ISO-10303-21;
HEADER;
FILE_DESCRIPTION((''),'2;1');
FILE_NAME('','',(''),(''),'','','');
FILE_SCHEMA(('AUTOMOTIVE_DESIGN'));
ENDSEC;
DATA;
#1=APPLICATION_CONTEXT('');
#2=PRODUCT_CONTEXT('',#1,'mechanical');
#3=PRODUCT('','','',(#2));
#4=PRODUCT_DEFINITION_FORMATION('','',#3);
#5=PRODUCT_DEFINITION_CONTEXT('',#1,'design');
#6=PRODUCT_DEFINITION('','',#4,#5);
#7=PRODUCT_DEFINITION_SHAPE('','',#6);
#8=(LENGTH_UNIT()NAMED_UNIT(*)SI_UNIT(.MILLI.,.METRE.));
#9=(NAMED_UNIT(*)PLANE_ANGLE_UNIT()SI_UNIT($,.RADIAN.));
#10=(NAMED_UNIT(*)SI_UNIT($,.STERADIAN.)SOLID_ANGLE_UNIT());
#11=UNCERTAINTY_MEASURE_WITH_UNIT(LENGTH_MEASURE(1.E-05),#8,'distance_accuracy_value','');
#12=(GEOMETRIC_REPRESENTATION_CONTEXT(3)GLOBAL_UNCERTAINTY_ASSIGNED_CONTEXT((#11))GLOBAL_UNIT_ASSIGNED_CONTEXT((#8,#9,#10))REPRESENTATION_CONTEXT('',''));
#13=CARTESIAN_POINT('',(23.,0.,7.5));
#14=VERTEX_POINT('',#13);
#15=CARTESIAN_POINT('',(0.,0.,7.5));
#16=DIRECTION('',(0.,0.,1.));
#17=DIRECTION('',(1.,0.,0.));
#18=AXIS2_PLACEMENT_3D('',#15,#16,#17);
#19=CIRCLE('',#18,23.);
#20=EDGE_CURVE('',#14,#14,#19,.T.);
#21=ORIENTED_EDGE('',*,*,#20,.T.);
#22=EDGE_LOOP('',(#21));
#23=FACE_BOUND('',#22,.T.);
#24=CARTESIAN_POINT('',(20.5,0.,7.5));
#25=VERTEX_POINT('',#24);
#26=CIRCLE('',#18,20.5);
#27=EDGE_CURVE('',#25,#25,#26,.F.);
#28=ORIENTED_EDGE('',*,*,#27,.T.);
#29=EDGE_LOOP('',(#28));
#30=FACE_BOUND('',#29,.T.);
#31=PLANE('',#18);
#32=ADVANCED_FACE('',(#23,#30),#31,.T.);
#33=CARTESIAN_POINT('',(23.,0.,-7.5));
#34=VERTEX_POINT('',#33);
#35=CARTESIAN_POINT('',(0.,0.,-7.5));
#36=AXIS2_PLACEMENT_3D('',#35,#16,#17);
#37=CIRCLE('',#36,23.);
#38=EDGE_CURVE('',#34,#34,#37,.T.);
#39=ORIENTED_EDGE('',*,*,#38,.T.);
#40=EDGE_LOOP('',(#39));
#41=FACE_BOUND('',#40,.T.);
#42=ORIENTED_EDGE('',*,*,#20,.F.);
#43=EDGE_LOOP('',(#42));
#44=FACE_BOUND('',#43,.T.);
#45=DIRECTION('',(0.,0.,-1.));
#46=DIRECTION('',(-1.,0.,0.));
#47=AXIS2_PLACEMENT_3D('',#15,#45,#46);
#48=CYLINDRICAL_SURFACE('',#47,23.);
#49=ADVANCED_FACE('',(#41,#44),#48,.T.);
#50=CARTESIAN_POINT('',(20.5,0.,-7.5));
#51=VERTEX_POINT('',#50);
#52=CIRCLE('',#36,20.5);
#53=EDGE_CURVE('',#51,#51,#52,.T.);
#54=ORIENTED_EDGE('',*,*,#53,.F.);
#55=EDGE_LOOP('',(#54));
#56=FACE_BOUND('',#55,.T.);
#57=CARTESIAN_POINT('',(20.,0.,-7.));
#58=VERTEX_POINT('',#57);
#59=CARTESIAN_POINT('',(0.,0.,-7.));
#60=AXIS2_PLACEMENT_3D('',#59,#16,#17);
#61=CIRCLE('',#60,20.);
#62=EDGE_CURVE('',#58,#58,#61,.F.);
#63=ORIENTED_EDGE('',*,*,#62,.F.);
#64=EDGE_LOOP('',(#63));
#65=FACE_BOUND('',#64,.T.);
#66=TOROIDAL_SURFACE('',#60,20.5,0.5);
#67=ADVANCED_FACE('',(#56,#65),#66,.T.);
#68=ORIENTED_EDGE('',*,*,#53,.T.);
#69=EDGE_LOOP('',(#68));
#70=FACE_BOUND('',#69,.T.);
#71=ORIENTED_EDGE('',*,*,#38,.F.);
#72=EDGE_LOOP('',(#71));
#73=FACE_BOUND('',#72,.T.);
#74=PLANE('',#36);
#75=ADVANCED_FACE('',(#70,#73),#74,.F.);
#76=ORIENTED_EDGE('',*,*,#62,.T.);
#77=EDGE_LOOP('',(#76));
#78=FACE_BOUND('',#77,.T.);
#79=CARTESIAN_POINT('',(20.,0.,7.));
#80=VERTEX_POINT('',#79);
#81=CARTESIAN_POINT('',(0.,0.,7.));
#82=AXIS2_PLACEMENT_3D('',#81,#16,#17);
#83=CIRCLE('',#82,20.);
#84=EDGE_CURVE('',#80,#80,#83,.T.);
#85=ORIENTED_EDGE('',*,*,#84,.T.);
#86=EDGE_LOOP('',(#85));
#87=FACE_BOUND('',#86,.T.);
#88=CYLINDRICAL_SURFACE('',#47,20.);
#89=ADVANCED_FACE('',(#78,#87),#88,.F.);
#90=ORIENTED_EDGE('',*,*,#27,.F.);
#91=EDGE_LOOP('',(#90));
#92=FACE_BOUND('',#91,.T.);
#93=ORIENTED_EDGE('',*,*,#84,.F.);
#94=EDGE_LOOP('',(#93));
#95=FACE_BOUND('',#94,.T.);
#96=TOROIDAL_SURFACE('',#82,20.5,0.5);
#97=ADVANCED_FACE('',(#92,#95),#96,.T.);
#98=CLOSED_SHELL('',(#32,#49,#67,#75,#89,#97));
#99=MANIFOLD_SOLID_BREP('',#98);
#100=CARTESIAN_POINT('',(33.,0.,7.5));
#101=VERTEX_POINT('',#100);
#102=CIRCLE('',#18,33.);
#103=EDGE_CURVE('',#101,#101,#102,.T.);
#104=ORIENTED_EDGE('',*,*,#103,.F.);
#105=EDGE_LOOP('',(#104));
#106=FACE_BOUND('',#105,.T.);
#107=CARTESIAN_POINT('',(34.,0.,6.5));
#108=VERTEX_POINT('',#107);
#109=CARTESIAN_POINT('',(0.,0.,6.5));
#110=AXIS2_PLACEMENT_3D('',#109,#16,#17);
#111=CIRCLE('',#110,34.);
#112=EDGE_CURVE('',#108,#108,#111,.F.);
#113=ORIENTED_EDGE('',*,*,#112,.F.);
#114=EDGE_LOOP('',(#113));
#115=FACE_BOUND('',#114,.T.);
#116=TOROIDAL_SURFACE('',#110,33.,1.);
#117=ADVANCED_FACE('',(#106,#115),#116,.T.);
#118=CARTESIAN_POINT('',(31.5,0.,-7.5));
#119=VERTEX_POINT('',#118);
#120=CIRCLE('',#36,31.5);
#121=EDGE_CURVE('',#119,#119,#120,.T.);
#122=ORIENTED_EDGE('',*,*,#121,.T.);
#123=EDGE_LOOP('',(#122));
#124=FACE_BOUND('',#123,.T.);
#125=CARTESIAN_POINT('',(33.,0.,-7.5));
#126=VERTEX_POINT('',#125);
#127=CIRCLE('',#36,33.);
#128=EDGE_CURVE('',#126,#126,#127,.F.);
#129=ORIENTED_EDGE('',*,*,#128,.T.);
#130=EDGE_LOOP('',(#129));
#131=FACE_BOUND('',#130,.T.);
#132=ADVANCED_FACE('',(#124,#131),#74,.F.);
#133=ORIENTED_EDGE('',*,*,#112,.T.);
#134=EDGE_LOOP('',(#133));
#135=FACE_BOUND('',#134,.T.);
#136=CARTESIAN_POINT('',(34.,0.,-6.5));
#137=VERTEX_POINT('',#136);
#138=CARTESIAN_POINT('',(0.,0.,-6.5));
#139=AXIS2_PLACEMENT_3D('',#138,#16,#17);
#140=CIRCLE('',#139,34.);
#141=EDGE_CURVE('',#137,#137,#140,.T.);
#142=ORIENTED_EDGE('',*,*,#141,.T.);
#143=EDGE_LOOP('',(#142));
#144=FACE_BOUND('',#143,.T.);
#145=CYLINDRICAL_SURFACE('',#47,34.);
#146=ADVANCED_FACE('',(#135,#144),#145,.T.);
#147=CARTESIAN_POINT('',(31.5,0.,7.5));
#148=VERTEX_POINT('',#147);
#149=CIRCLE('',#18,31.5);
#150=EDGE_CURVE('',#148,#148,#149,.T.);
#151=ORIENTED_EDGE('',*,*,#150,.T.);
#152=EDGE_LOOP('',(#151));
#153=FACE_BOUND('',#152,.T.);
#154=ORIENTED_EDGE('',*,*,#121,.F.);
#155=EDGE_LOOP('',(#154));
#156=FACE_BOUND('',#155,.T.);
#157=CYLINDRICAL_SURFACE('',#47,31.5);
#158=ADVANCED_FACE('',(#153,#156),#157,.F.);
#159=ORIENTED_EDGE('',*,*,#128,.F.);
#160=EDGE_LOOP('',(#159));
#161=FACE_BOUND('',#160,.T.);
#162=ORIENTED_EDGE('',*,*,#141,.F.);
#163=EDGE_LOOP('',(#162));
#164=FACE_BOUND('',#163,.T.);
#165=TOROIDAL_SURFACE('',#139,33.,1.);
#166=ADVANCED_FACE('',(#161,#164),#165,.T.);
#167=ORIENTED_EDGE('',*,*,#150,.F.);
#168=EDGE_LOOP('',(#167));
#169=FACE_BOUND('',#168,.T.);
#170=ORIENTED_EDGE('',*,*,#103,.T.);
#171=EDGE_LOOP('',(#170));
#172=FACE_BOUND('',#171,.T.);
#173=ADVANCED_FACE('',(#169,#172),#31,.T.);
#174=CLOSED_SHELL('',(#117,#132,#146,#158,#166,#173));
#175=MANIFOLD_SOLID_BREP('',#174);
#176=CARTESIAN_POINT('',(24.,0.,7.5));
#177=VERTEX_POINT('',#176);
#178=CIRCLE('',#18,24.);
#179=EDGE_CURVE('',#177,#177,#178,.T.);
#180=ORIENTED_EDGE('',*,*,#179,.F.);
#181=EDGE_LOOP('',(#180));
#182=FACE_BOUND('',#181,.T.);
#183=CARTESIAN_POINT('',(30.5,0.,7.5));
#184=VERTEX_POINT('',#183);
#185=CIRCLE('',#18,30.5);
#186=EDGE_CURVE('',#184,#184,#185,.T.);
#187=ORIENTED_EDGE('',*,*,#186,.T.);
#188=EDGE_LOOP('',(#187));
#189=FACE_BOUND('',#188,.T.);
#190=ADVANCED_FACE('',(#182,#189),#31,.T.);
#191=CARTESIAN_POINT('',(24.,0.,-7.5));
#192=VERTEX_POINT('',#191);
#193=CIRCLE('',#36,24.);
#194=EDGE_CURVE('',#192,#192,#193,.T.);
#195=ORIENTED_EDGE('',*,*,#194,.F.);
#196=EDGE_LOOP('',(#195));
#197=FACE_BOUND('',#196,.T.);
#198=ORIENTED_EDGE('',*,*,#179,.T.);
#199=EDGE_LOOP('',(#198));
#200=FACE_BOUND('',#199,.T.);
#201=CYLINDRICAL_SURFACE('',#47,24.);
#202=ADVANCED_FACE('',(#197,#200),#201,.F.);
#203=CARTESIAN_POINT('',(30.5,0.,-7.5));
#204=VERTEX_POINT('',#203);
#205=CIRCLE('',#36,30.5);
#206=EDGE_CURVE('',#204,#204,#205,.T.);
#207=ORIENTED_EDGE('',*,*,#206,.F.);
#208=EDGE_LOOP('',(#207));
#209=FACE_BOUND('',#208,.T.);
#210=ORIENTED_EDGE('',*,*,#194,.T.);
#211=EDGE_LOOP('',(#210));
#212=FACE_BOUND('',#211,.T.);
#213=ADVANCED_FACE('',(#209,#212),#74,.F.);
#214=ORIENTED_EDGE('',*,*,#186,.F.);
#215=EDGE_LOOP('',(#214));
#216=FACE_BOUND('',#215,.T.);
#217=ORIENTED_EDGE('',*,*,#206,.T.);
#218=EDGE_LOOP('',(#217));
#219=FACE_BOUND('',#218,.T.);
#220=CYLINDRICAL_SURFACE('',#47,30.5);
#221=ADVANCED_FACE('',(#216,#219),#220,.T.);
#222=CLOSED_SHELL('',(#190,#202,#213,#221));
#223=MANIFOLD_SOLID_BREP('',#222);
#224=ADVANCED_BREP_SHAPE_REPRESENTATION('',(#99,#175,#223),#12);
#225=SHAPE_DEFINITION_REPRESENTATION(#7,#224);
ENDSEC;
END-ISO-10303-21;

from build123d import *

# Parameters (mm, degrees)
CROQUIS1_R                = 23
CROQUIS1_R_2              = 20
SALIENTE_EXTRUIR1_DEPTH   = 7.5
CROQUIS1_R_3              = 30.5
CROQUIS1_R_4              = 24
SALIENTE_EXTRUIR1_2_DEPTH = 7.5
CROQUIS1_R_5              = 34
CROQUIS1_R_6              = 31.5
SALIENTE_EXTRUIR1_3_DEPTH = 7.5
REDONDEO1_R               = 1
REDONDEO2_R               = 0.5


with BuildPart() as part:
    # Croquis1 → Saliente-Extruir1 (new, symmetric)
    with BuildSketch(Plane.XY):
        Circle(CROQUIS1_R)
        Circle(CROQUIS1_R_2, mode=Mode.SUBTRACT)
    extrude(amount=SALIENTE_EXTRUIR1_DEPTH, both=True)

    # Redondeo2
    redondeo2_edges = [part.edges().sort_by_distance(p)[0] for p in [
        (-20, 0, -7.5),
        (-20, 0, 7.5),
    ]]
    fillet(redondeo2_edges, radius=REDONDEO2_R)


with BuildPart() as body_2:
    # Croquis1 → Saliente-Extruir1 2 (new, symmetric)
    with BuildSketch(Plane.XY):
        Circle(CROQUIS1_R_3)
        Circle(CROQUIS1_R_4, mode=Mode.SUBTRACT)
    extrude(amount=SALIENTE_EXTRUIR1_2_DEPTH, both=True)


with BuildPart() as body_3:
    # Croquis1 → Saliente-Extruir1 3 (new, symmetric)
    with BuildSketch(Plane.XY):
        Circle(CROQUIS1_R_5)
        Circle(CROQUIS1_R_6, mode=Mode.SUBTRACT)
    extrude(amount=SALIENTE_EXTRUIR1_3_DEPTH, both=True)

    # Redondeo1
    redondeo1_edges = [body_3.edges().sort_by_distance(p)[0] for p in [
        (-34, 0, -7.5),
        (-34, 0, 7.5),
    ]]
    fillet(redondeo1_edges, radius=REDONDEO1_R)


solid = Compound([part.part, body_2.part, body_3.part])
